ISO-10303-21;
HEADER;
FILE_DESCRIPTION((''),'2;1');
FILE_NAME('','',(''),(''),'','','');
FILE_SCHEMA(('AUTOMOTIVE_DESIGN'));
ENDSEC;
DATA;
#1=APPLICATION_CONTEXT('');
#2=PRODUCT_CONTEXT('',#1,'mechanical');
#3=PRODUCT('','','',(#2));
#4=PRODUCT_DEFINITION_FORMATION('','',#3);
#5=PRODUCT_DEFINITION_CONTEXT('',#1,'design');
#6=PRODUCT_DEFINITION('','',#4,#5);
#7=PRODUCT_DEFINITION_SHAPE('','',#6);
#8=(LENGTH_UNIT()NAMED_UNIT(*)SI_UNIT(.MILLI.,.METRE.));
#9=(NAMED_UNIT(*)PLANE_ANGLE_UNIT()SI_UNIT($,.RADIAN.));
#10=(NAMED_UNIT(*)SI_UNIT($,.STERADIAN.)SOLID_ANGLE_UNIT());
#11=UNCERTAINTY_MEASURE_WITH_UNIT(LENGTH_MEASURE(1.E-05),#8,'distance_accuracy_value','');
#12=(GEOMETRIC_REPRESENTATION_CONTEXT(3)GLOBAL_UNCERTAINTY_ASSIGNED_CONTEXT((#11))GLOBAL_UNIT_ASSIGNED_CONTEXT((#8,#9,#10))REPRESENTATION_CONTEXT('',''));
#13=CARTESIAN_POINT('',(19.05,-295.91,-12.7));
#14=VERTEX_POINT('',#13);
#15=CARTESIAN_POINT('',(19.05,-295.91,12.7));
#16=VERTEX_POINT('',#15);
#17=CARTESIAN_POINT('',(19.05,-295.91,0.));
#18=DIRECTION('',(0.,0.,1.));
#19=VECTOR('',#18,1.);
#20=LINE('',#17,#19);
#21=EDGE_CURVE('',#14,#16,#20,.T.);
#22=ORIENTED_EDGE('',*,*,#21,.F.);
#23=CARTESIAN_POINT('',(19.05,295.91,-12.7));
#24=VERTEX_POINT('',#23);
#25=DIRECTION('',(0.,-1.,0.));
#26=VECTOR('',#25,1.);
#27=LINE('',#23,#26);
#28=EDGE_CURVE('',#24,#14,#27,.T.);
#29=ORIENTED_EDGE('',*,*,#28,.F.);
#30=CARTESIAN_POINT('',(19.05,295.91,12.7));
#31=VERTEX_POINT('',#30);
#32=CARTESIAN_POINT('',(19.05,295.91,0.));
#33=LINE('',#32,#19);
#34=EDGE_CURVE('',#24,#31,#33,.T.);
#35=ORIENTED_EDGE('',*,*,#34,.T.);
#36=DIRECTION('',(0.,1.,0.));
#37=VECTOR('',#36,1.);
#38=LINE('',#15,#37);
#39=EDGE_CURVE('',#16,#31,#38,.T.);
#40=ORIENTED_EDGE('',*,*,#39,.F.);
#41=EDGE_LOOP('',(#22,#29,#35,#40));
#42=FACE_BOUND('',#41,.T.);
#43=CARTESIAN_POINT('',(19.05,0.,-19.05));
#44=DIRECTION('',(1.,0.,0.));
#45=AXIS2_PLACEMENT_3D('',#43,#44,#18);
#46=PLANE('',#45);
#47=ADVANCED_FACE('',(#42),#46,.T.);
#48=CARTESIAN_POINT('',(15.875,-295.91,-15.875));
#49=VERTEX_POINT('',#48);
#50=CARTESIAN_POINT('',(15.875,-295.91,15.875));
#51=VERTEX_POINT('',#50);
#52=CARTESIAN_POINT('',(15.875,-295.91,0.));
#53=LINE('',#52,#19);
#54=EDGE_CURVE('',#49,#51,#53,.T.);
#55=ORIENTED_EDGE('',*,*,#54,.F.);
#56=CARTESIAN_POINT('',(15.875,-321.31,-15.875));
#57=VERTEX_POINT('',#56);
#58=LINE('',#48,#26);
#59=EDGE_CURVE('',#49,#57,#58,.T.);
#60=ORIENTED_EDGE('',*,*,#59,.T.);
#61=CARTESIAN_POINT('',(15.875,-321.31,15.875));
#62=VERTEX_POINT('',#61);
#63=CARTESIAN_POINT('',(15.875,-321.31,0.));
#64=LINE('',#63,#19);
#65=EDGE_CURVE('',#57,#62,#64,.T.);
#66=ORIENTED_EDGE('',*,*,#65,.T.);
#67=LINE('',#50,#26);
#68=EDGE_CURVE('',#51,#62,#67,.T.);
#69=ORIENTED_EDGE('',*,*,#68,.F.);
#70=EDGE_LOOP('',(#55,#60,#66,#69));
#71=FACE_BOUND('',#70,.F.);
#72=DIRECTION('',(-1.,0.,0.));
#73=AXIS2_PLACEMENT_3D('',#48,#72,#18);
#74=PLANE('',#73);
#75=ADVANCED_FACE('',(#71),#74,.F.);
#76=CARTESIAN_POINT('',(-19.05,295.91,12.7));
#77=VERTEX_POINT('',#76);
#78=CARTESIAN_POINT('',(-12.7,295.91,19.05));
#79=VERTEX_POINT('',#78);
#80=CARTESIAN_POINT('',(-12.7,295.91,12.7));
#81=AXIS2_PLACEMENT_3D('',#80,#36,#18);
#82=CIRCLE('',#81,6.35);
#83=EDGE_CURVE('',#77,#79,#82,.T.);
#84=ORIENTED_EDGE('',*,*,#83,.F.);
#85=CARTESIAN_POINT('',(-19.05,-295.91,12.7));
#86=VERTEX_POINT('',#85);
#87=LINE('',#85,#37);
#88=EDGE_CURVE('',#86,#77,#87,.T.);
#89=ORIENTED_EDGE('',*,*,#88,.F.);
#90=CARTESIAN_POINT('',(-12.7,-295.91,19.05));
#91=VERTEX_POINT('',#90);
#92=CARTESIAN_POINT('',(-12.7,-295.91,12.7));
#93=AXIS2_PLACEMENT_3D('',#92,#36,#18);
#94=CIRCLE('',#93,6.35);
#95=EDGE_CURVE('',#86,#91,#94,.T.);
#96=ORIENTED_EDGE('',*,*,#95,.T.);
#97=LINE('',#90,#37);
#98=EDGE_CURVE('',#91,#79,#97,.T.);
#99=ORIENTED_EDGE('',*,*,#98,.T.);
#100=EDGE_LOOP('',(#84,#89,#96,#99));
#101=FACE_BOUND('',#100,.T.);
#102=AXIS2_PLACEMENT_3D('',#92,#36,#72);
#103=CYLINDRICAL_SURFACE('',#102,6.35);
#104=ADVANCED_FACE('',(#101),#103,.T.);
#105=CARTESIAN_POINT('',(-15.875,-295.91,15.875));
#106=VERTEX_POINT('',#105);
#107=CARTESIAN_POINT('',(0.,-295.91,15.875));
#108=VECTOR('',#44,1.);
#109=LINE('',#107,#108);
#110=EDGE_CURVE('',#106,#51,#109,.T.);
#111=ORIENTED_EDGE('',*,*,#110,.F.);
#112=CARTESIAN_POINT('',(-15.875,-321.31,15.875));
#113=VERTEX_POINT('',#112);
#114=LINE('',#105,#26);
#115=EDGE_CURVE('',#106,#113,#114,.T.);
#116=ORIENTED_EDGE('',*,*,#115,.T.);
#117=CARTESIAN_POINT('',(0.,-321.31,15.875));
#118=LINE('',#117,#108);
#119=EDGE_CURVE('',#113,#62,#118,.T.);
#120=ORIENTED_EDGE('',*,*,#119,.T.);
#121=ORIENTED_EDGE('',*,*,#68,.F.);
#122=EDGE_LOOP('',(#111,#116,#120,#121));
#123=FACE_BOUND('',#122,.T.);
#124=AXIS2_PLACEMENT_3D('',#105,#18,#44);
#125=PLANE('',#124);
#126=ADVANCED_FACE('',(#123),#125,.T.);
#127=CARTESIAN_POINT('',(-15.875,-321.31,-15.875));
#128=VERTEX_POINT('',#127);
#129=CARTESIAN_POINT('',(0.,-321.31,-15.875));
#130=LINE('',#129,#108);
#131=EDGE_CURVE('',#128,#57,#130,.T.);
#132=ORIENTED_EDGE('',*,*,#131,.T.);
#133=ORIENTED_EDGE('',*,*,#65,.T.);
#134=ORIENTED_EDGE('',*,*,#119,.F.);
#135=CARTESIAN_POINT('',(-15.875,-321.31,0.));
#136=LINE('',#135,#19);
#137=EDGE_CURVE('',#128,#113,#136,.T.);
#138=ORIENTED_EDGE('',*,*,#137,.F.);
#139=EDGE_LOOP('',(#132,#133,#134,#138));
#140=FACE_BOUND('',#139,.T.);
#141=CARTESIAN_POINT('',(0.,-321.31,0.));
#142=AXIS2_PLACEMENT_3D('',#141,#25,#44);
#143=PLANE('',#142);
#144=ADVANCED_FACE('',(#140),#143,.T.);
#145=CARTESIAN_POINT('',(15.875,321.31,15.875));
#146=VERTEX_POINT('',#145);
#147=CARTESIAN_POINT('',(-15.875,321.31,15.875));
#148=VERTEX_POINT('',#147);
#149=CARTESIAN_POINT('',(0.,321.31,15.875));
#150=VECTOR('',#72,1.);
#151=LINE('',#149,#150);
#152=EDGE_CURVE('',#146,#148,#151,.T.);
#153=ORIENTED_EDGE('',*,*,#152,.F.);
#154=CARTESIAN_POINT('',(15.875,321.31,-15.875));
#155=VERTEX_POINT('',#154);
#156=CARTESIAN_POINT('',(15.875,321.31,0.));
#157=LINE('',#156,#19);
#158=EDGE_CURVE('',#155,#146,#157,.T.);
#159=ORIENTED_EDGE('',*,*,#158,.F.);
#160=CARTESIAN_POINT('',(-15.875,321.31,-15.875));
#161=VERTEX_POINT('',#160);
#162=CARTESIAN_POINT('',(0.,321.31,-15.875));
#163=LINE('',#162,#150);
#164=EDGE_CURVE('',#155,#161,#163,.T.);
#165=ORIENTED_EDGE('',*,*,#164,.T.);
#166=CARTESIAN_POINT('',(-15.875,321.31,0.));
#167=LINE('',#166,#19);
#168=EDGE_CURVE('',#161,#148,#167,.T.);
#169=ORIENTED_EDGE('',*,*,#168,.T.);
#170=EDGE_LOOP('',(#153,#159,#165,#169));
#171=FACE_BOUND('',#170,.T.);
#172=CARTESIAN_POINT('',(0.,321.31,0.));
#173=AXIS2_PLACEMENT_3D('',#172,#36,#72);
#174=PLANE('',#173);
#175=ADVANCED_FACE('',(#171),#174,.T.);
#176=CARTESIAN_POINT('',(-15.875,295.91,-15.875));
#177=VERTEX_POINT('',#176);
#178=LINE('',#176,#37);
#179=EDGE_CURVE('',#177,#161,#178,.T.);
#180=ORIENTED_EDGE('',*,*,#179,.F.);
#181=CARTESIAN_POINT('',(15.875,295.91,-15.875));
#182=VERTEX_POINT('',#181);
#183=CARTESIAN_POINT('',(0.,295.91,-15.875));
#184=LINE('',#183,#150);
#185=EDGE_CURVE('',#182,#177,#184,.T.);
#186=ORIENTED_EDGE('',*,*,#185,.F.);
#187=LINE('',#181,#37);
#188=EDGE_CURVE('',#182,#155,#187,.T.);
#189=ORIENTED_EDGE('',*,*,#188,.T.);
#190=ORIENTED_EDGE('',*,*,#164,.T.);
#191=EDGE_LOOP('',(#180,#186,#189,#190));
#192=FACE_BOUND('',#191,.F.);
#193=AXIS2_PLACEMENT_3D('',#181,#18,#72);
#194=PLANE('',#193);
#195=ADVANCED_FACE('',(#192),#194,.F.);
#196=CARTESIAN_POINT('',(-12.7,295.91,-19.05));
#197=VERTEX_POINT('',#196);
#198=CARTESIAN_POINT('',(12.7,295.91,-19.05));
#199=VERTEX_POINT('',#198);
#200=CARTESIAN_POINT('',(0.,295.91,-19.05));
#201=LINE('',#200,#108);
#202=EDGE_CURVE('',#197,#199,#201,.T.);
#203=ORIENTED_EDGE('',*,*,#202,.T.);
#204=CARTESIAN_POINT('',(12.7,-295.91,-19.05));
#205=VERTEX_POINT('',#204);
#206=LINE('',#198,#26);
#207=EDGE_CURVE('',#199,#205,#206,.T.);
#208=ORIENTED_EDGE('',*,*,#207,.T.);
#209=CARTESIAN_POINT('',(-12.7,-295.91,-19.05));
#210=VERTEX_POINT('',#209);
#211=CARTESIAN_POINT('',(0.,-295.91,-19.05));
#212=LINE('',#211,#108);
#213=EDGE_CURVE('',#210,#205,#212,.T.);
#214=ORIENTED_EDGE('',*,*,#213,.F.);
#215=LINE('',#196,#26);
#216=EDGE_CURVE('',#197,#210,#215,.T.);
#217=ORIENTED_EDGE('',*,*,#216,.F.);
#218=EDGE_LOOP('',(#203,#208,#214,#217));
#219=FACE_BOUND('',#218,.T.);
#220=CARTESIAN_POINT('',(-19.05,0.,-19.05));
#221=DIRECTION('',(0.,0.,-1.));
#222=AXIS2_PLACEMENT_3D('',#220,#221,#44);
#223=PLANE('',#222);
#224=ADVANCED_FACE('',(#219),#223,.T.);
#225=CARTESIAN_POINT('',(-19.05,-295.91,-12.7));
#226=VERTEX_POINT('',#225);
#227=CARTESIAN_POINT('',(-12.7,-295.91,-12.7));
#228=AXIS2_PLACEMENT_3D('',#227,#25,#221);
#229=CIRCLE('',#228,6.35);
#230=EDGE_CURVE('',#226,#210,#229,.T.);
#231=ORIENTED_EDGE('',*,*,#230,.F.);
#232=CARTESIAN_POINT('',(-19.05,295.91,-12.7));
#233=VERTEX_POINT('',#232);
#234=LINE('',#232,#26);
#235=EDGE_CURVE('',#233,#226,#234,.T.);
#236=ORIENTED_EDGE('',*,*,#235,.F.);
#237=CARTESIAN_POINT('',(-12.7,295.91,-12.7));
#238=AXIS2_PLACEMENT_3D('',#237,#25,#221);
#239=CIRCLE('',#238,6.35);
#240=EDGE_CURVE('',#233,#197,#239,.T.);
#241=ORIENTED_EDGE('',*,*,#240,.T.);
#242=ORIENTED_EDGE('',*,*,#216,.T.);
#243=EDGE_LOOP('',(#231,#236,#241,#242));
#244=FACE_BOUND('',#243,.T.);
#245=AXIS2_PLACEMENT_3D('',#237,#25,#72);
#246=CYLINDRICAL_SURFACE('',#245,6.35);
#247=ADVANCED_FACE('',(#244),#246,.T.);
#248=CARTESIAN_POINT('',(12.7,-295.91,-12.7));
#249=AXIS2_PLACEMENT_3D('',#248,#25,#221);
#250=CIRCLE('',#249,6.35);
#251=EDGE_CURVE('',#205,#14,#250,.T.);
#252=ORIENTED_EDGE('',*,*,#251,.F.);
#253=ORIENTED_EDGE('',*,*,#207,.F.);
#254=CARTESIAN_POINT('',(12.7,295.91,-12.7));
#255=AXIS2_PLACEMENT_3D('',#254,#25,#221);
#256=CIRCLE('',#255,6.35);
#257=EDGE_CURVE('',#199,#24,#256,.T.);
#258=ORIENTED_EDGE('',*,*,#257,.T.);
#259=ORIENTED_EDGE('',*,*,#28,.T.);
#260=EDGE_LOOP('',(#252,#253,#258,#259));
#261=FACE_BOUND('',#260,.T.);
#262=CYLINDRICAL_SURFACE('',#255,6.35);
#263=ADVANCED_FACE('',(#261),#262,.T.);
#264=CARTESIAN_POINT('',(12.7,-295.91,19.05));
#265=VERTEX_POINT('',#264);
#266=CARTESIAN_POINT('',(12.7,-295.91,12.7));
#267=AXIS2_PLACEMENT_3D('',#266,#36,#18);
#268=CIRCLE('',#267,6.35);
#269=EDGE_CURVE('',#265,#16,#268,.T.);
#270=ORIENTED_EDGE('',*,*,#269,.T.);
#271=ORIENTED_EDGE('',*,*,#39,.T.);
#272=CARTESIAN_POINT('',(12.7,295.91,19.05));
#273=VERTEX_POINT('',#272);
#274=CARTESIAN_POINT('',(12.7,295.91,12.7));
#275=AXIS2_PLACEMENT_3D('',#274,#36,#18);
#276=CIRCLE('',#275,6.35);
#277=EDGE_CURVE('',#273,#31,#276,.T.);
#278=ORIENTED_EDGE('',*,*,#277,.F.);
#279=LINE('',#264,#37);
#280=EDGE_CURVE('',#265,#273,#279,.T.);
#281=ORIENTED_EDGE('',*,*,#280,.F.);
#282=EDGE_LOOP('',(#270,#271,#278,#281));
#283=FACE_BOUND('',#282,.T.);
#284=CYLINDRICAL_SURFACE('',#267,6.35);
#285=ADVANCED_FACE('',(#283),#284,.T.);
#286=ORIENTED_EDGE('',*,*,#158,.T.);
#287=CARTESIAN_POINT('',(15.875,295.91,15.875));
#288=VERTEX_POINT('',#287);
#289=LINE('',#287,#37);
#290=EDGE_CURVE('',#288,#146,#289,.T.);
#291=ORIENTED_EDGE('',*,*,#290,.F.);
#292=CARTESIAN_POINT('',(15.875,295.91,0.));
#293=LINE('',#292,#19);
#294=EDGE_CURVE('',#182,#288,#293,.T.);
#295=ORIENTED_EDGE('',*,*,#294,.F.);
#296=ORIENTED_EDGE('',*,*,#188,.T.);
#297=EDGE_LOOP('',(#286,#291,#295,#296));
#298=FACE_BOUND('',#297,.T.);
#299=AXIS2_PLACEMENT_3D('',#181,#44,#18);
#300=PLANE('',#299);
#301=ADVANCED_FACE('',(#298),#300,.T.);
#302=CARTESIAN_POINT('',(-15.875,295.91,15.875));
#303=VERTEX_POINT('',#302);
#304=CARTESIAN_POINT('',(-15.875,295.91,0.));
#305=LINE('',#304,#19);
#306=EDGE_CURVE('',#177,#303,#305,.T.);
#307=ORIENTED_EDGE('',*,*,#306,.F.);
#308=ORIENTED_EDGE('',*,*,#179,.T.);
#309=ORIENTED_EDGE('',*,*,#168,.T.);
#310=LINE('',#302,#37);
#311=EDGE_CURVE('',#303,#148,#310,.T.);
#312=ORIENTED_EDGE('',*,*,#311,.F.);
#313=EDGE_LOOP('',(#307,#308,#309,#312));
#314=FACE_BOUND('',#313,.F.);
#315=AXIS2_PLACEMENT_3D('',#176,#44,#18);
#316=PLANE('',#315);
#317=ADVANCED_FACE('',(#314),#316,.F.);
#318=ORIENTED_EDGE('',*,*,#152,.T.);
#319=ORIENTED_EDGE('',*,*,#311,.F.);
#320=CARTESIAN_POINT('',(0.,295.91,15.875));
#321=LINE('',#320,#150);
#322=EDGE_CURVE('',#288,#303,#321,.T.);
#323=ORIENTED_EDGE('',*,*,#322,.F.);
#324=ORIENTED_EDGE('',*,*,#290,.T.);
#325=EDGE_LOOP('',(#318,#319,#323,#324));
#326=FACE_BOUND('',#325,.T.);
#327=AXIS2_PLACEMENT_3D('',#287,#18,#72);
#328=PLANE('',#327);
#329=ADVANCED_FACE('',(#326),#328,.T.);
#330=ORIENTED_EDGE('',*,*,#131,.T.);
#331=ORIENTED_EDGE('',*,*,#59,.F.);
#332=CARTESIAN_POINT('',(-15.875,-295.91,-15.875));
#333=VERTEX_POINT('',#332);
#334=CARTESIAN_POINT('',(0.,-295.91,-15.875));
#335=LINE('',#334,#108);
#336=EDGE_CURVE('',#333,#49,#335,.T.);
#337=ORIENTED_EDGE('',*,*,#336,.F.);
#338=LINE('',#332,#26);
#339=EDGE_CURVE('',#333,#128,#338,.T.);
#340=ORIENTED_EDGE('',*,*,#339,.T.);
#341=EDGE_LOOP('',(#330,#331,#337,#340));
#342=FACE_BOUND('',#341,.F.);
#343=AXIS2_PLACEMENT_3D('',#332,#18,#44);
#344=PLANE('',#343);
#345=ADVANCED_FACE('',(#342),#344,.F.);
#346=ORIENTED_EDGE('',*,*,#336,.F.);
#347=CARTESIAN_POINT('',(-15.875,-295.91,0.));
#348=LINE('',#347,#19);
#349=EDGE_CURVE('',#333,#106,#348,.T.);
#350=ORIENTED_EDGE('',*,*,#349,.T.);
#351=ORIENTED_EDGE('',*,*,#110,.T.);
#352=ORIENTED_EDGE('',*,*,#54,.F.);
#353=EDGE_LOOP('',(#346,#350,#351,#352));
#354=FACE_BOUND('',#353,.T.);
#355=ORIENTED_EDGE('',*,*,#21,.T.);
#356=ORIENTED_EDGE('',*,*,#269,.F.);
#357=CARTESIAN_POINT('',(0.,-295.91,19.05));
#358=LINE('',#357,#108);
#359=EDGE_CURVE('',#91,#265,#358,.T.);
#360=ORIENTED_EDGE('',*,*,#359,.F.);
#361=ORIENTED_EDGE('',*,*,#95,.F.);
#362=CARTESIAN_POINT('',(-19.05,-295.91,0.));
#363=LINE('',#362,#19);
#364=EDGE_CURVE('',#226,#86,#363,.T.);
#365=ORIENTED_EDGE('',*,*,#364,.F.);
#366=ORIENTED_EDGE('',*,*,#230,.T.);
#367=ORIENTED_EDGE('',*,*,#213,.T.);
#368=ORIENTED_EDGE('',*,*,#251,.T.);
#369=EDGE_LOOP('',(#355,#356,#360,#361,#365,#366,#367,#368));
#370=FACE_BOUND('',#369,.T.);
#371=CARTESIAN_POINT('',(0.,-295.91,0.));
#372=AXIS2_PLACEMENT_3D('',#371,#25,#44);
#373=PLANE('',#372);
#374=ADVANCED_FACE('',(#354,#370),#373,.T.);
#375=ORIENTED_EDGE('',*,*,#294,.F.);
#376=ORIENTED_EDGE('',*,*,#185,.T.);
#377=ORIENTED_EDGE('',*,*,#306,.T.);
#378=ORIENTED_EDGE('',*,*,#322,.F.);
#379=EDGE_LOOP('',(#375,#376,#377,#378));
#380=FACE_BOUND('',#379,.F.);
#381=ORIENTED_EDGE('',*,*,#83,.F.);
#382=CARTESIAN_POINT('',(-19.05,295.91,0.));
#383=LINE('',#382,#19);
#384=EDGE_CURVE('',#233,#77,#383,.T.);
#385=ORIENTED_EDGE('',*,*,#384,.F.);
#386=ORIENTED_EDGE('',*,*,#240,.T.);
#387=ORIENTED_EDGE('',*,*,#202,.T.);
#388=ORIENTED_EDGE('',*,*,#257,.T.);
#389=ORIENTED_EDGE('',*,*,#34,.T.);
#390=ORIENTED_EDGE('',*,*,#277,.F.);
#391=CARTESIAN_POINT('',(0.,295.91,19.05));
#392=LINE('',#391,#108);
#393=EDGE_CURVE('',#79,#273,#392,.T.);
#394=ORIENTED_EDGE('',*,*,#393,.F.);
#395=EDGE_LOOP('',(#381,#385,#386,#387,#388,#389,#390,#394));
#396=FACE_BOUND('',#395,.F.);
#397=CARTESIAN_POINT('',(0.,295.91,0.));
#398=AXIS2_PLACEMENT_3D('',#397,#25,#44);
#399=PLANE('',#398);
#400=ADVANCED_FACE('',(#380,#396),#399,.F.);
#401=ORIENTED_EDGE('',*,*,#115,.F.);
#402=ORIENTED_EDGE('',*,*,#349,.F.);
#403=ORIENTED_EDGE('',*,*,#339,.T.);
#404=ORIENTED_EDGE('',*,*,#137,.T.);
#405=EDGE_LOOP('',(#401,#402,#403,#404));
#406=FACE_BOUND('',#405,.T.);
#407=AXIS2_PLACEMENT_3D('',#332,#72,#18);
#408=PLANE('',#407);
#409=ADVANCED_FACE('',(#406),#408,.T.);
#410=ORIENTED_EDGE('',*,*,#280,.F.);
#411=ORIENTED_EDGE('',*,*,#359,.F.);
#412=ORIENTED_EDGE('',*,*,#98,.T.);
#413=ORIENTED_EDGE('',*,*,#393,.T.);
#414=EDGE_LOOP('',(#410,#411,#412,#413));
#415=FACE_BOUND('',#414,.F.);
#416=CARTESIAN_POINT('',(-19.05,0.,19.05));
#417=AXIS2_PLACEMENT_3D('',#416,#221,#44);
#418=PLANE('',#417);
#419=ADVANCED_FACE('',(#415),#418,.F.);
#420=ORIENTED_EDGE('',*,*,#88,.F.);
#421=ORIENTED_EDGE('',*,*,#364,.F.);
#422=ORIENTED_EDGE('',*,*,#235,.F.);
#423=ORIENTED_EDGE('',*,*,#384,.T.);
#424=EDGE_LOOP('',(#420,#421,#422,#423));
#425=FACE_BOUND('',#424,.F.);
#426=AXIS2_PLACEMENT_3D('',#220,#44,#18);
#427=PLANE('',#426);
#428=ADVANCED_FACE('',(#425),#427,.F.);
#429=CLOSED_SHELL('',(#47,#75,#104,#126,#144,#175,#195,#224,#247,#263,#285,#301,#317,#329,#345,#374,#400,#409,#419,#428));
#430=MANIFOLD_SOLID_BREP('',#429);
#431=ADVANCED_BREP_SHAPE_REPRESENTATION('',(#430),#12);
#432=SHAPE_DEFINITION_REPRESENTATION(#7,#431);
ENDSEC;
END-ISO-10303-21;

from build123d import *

# Parameters (mm, degrees)
F0_W     = 38.1
F0_H     = 38.1
F1_DEPTH = 295.91
F2_W     = 31.75
F2_H     = 31.75
F3_DEPTH = 25.4
F4_W     = 31.75
F4_H     = 31.75
F5_DEPTH = 25.4
F6_R     = 6.35


with BuildPart() as f1:
    # F0 (on Front) → F1 (new body, symmetric)
    with BuildSketch(Plane.XZ):
        Rectangle(F0_W, F0_H)
    extrude(amount=F1_DEPTH, both=True)

    # F2 (on face) → F3 (join)
    with BuildSketch(Plane(origin=(0, 295.91, 0), x_dir=(-1, 0, 0), z_dir=(0, 1, 0))):
        Rectangle(F2_W, F2_H)
    extrude(amount=F3_DEPTH)

    # F4 (on face) → F5 (join)
    with BuildSketch(Plane.XZ.offset(295.91)):
        Rectangle(F4_W, F4_H)
    extrude(amount=F5_DEPTH)

    # F6
    f6_edges = [f1.edges().sort_by_distance(p)[0] for p in [
        (19.05, 0, 19.05),
        (19.05, 0, -19.05),
        (-19.05, 0, -19.05),
        (-19.05, 0, 19.05),
    ]]
    fillet(f6_edges, radius=F6_R)


solid = f1.part
